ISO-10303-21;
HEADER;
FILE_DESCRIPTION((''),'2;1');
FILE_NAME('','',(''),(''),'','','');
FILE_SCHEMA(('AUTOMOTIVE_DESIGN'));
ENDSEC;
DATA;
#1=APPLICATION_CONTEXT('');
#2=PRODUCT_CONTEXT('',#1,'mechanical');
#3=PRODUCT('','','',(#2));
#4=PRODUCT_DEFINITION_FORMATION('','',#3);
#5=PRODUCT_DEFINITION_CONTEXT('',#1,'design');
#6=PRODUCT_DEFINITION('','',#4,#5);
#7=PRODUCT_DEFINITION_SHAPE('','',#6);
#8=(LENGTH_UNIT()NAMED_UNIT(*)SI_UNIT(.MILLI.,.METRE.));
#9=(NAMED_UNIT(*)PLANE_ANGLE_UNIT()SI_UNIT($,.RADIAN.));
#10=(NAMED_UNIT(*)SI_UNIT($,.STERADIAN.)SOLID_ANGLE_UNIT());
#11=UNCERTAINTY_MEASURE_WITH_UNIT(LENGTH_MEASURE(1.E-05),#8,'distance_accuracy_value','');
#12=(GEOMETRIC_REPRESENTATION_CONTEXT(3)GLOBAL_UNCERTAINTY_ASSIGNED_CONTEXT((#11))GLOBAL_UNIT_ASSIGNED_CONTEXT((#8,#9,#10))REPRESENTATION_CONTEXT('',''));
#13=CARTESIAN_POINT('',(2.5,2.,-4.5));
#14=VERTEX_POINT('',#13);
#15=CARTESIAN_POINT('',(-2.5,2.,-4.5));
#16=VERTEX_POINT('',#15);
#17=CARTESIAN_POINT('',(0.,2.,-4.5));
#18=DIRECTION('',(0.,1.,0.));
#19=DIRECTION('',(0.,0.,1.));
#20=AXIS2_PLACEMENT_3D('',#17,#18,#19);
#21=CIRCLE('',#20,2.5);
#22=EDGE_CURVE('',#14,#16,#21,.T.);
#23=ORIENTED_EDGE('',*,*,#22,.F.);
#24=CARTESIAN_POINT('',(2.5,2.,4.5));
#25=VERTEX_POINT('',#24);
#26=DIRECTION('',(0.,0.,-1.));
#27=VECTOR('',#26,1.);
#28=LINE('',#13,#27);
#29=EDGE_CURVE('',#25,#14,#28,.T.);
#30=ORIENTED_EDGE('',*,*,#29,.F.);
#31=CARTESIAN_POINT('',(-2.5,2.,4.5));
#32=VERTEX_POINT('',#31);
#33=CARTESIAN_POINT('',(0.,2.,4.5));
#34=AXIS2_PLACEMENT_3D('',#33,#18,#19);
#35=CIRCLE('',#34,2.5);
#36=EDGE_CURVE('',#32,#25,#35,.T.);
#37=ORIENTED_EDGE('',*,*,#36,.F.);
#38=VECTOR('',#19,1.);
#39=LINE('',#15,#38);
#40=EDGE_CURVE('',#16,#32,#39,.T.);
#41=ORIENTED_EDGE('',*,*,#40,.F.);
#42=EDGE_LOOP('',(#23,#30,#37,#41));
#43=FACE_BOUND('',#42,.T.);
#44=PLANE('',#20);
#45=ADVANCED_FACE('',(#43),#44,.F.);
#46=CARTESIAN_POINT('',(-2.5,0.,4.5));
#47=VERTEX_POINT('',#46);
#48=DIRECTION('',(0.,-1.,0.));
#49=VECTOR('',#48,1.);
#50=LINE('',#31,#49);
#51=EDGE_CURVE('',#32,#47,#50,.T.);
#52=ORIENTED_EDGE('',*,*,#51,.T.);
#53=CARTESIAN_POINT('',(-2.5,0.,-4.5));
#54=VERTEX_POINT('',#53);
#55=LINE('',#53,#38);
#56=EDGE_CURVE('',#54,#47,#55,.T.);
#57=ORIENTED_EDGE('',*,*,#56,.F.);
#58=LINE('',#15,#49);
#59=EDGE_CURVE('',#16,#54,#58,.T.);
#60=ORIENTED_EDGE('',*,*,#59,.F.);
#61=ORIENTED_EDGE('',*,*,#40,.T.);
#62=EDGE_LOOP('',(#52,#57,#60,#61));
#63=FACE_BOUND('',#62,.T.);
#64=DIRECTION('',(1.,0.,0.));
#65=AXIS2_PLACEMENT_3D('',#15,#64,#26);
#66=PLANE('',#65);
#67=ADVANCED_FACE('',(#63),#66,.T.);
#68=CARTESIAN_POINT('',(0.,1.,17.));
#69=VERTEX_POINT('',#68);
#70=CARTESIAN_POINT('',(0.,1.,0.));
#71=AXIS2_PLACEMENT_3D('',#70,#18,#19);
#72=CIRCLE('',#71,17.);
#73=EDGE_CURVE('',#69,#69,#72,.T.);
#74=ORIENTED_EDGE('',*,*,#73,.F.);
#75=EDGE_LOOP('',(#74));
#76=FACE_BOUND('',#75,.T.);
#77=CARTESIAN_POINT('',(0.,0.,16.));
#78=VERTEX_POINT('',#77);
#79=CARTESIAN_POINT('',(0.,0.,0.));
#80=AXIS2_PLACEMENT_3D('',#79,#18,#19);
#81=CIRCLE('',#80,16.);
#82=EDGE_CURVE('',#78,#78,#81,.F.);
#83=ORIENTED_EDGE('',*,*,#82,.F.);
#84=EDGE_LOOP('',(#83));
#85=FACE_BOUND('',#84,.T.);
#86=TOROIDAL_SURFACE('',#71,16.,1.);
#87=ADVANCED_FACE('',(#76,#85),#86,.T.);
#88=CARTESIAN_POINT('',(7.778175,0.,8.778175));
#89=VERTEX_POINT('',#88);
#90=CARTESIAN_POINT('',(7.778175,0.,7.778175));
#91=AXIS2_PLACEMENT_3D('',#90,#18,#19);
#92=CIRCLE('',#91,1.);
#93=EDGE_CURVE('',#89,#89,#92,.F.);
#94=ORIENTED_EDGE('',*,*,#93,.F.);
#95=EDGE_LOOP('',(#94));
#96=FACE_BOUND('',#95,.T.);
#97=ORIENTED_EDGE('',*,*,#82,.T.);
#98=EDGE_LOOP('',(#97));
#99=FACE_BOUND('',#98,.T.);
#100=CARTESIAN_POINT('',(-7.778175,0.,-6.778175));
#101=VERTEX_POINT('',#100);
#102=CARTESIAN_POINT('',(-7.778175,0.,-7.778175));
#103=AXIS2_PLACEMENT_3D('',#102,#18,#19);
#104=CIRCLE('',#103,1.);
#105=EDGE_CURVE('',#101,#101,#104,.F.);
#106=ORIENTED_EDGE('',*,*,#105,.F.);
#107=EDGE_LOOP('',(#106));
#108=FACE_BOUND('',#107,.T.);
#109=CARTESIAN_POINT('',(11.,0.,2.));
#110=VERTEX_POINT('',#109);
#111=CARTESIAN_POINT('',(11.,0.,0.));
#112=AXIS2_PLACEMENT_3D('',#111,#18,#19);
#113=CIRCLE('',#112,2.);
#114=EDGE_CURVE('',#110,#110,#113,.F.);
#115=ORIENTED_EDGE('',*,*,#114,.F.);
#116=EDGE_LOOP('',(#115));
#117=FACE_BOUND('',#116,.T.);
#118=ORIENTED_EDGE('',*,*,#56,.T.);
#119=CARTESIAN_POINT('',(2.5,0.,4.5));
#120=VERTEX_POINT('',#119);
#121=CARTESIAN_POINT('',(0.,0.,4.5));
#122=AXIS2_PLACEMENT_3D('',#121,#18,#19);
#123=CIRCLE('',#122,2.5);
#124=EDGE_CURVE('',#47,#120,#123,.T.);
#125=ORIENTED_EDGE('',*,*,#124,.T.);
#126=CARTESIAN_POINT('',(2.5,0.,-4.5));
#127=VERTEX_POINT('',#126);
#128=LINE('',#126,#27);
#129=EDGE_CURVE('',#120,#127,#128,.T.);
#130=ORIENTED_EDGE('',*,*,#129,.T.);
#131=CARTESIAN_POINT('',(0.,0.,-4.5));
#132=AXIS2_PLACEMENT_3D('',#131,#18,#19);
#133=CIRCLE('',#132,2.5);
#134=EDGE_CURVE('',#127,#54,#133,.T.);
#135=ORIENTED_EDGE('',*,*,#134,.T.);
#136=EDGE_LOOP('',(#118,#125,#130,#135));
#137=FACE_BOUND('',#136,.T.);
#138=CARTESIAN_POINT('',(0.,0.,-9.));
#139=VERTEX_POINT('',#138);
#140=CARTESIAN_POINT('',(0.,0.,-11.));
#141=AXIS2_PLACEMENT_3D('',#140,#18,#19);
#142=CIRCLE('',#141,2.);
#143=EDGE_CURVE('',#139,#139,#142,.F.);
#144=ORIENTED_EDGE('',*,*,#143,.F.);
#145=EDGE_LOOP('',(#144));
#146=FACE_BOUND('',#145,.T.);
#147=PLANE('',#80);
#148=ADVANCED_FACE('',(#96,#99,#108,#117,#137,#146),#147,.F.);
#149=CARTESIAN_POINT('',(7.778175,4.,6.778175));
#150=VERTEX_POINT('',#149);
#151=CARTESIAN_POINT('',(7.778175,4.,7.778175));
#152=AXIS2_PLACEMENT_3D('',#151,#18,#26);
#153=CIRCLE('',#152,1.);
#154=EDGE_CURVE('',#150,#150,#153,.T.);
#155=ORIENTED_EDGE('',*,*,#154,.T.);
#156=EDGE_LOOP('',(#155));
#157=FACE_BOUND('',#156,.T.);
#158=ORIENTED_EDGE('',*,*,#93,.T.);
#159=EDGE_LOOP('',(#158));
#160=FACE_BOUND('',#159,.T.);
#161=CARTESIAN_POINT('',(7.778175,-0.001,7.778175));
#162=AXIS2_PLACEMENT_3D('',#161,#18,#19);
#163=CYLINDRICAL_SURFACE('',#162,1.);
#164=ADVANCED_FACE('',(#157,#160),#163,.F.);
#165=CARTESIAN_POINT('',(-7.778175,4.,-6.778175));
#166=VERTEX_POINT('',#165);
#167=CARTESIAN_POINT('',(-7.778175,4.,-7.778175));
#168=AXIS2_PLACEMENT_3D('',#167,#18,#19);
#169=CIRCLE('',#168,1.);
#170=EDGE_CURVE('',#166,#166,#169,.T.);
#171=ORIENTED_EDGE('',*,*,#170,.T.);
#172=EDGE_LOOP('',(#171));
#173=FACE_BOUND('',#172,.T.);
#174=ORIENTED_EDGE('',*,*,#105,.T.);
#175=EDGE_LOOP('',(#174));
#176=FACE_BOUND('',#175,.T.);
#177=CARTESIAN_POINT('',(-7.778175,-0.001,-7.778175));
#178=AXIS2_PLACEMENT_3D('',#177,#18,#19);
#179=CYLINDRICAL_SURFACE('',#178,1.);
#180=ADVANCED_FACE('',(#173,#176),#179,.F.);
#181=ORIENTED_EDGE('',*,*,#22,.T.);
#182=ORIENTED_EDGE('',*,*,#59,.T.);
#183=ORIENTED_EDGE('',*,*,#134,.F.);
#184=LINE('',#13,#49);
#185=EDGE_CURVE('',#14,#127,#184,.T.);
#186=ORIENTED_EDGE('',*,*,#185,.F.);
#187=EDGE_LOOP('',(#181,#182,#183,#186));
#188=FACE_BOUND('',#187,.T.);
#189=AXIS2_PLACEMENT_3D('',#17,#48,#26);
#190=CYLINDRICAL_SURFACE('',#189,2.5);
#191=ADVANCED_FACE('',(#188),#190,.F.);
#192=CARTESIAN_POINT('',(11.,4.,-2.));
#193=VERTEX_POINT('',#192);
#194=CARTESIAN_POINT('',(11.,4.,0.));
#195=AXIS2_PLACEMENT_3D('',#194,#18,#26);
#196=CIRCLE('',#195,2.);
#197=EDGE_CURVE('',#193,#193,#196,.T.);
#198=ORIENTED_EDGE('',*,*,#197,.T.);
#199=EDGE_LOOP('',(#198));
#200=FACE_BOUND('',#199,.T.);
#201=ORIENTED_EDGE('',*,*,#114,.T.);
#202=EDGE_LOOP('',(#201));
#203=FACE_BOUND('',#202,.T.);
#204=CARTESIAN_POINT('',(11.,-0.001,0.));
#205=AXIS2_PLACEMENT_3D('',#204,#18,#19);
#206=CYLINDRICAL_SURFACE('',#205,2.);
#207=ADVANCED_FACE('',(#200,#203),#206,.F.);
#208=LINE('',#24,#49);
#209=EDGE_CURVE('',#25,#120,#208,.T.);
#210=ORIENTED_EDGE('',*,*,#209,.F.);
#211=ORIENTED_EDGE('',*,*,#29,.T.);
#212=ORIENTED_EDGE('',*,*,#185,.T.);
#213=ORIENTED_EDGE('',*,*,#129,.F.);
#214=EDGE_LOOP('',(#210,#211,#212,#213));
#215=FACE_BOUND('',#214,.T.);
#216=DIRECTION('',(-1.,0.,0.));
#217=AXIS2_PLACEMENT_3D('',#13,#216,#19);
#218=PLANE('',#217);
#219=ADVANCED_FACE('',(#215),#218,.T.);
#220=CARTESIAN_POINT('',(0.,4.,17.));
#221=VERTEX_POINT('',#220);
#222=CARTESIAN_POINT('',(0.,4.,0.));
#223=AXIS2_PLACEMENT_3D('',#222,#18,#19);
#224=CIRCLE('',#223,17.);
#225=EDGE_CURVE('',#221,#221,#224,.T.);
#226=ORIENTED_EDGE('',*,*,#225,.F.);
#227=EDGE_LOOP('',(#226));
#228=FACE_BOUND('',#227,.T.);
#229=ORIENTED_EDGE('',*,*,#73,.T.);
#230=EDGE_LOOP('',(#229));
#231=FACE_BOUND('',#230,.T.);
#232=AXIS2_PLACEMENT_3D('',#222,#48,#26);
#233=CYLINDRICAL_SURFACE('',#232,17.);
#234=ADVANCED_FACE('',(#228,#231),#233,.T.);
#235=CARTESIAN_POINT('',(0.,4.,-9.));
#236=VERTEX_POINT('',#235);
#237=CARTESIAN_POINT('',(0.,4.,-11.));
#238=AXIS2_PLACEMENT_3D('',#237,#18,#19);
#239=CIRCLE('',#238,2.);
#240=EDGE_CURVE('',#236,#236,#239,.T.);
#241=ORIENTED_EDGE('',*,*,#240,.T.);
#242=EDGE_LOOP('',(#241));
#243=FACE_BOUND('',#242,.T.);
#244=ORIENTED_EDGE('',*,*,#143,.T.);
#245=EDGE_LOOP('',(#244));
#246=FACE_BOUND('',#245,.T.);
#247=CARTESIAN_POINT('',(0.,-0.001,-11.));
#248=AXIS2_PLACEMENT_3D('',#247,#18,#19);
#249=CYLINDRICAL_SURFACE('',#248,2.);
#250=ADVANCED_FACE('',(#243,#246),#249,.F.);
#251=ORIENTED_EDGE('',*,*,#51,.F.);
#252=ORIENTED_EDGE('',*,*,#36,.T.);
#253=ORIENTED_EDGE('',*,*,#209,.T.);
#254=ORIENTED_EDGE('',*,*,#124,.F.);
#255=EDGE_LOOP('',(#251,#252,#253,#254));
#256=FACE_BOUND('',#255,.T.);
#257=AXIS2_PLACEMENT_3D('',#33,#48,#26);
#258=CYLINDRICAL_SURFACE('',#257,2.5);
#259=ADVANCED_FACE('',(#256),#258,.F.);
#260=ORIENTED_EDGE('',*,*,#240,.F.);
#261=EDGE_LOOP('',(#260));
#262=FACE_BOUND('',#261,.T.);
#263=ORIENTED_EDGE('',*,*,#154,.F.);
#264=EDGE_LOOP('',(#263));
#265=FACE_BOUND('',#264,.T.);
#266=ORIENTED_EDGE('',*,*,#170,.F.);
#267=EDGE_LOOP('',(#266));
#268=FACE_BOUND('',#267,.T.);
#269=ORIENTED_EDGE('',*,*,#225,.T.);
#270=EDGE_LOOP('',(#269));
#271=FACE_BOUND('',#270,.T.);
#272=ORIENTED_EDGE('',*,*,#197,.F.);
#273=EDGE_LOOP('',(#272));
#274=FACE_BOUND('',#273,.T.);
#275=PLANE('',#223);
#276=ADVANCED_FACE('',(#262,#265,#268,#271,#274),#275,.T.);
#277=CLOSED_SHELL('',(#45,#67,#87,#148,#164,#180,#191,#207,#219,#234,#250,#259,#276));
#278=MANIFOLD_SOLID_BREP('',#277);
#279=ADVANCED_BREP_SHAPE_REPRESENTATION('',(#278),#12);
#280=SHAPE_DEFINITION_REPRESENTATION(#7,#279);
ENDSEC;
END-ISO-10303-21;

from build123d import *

# Parameters (mm, degrees)
SKETCH_1_R          = 17
EXTRUDE_1_DEPTH     = 4
CUT_EXTRUDE_1_DEPTH = 2
CUT_EXTRUDE_2_REACH = 26.372
SKETCH_3_R          = 2
SKETCH_3_R_2        = 1
FILLET_1_R          = 1


with BuildPart() as part:
    # 草图1 → 凸台-拉伸1 (new body)
    with BuildSketch(Plane(origin=(0, 0, 0), x_dir=(1, 0, 0), z_dir=(0, 1, 0))):
        with Locations(Location((0, 0, 0), (0, 0, 270))):
            Circle(SKETCH_1_R)
    extrude(amount=EXTRUDE_1_DEPTH)

    # 草图2 → 切除-拉伸1 (cut)
    with BuildSketch(Plane(origin=(0, 0, 0), x_dir=(1, 0, 0), z_dir=(0, 1, 0))):
        with BuildLine():
            Line((2.5, 4.5), (2.5, -4.5))
            ThreePointArc((2.5, -4.5), (0, -7), (-2.5, -4.5))
            Line((-2.5, -4.5), (-2.5, 4.5))
            ThreePointArc((-2.5, 4.5), (0, 7), (2.5, 4.5))
        make_face()
    extrude(amount=CUT_EXTRUDE_1_DEPTH, mode=Mode.SUBTRACT)

    # 草图3 → 切除-拉伸2 (cut, up to next)
    with BuildSketch(Plane(origin=(0, 4, 0), x_dir=(1, 0, 0), z_dir=(0, 1, 0)), mode=Mode.PRIVATE) as cut_extrude_2_sk1:
        with Locations(Location((0, 11, 0), (0, 0, 270))):
            Circle(SKETCH_3_R)
    cut_extrude_2_tool1 = extrude(cut_extrude_2_sk1.sketch, amount=-CUT_EXTRUDE_2_REACH, mode=Mode.PRIVATE) & part.part
    # 草图3 → 切除-拉伸2 (cut, up to next)
    with BuildSketch(Plane(origin=(0, 4, 0), x_dir=(1, 0, 0), z_dir=(0, 1, 0)), mode=Mode.PRIVATE) as cut_extrude_2_sk2:
        with Locations(Location((-7.778174593, 7.778174593, 0), (0, 0, 270))):
            Circle(SKETCH_3_R_2)
    cut_extrude_2_tool2 = extrude(cut_extrude_2_sk2.sketch, amount=-CUT_EXTRUDE_2_REACH, mode=Mode.PRIVATE) & part.part
    # 草图3 → 切除-拉伸2 (cut, up to next)
    with BuildSketch(Plane(origin=(0, 4, 0), x_dir=(1, 0, 0), z_dir=(0, 1, 0)), mode=Mode.PRIVATE) as cut_extrude_2_sk3:
        with Locations(Location((11, 0, 0), (0, 0, 270))):
            Circle(SKETCH_3_R)
    cut_extrude_2_tool3 = extrude(cut_extrude_2_sk3.sketch, amount=-CUT_EXTRUDE_2_REACH, mode=Mode.PRIVATE) & part.part
    # 草图3 → 切除-拉伸2 (cut, up to next)
    with BuildSketch(Plane(origin=(0, 4, 0), x_dir=(1, 0, 0), z_dir=(0, 1, 0)), mode=Mode.PRIVATE) as cut_extrude_2_sk4:
        with Locations(Location((7.778174593, -7.778174593, 0), (0, 0, 270))):
            Circle(SKETCH_3_R_2)
    cut_extrude_2_tool4 = extrude(cut_extrude_2_sk4.sketch, amount=-CUT_EXTRUDE_2_REACH, mode=Mode.PRIVATE) & part.part
    add(cut_extrude_2_tool1.solids().sort_by_distance((0, 4, -11))[0], mode=Mode.SUBTRACT)
    add(cut_extrude_2_tool2.solids().sort_by_distance((-7.778175, 4, -7.778175))[0], mode=Mode.SUBTRACT)
    add(cut_extrude_2_tool3.solids().sort_by_distance((11, 4, 0))[0], mode=Mode.SUBTRACT)
    add(cut_extrude_2_tool4.solids().sort_by_distance((7.778175, 4, 7.778175))[0], mode=Mode.SUBTRACT)

    # 圆角1
    fillet_1_edges = [part.edges().sort_by_distance(p)[0] for p in [
        (0, 0, -17),
    ]]
    fillet(fillet_1_edges, radius=FILLET_1_R)


solid = part.part
